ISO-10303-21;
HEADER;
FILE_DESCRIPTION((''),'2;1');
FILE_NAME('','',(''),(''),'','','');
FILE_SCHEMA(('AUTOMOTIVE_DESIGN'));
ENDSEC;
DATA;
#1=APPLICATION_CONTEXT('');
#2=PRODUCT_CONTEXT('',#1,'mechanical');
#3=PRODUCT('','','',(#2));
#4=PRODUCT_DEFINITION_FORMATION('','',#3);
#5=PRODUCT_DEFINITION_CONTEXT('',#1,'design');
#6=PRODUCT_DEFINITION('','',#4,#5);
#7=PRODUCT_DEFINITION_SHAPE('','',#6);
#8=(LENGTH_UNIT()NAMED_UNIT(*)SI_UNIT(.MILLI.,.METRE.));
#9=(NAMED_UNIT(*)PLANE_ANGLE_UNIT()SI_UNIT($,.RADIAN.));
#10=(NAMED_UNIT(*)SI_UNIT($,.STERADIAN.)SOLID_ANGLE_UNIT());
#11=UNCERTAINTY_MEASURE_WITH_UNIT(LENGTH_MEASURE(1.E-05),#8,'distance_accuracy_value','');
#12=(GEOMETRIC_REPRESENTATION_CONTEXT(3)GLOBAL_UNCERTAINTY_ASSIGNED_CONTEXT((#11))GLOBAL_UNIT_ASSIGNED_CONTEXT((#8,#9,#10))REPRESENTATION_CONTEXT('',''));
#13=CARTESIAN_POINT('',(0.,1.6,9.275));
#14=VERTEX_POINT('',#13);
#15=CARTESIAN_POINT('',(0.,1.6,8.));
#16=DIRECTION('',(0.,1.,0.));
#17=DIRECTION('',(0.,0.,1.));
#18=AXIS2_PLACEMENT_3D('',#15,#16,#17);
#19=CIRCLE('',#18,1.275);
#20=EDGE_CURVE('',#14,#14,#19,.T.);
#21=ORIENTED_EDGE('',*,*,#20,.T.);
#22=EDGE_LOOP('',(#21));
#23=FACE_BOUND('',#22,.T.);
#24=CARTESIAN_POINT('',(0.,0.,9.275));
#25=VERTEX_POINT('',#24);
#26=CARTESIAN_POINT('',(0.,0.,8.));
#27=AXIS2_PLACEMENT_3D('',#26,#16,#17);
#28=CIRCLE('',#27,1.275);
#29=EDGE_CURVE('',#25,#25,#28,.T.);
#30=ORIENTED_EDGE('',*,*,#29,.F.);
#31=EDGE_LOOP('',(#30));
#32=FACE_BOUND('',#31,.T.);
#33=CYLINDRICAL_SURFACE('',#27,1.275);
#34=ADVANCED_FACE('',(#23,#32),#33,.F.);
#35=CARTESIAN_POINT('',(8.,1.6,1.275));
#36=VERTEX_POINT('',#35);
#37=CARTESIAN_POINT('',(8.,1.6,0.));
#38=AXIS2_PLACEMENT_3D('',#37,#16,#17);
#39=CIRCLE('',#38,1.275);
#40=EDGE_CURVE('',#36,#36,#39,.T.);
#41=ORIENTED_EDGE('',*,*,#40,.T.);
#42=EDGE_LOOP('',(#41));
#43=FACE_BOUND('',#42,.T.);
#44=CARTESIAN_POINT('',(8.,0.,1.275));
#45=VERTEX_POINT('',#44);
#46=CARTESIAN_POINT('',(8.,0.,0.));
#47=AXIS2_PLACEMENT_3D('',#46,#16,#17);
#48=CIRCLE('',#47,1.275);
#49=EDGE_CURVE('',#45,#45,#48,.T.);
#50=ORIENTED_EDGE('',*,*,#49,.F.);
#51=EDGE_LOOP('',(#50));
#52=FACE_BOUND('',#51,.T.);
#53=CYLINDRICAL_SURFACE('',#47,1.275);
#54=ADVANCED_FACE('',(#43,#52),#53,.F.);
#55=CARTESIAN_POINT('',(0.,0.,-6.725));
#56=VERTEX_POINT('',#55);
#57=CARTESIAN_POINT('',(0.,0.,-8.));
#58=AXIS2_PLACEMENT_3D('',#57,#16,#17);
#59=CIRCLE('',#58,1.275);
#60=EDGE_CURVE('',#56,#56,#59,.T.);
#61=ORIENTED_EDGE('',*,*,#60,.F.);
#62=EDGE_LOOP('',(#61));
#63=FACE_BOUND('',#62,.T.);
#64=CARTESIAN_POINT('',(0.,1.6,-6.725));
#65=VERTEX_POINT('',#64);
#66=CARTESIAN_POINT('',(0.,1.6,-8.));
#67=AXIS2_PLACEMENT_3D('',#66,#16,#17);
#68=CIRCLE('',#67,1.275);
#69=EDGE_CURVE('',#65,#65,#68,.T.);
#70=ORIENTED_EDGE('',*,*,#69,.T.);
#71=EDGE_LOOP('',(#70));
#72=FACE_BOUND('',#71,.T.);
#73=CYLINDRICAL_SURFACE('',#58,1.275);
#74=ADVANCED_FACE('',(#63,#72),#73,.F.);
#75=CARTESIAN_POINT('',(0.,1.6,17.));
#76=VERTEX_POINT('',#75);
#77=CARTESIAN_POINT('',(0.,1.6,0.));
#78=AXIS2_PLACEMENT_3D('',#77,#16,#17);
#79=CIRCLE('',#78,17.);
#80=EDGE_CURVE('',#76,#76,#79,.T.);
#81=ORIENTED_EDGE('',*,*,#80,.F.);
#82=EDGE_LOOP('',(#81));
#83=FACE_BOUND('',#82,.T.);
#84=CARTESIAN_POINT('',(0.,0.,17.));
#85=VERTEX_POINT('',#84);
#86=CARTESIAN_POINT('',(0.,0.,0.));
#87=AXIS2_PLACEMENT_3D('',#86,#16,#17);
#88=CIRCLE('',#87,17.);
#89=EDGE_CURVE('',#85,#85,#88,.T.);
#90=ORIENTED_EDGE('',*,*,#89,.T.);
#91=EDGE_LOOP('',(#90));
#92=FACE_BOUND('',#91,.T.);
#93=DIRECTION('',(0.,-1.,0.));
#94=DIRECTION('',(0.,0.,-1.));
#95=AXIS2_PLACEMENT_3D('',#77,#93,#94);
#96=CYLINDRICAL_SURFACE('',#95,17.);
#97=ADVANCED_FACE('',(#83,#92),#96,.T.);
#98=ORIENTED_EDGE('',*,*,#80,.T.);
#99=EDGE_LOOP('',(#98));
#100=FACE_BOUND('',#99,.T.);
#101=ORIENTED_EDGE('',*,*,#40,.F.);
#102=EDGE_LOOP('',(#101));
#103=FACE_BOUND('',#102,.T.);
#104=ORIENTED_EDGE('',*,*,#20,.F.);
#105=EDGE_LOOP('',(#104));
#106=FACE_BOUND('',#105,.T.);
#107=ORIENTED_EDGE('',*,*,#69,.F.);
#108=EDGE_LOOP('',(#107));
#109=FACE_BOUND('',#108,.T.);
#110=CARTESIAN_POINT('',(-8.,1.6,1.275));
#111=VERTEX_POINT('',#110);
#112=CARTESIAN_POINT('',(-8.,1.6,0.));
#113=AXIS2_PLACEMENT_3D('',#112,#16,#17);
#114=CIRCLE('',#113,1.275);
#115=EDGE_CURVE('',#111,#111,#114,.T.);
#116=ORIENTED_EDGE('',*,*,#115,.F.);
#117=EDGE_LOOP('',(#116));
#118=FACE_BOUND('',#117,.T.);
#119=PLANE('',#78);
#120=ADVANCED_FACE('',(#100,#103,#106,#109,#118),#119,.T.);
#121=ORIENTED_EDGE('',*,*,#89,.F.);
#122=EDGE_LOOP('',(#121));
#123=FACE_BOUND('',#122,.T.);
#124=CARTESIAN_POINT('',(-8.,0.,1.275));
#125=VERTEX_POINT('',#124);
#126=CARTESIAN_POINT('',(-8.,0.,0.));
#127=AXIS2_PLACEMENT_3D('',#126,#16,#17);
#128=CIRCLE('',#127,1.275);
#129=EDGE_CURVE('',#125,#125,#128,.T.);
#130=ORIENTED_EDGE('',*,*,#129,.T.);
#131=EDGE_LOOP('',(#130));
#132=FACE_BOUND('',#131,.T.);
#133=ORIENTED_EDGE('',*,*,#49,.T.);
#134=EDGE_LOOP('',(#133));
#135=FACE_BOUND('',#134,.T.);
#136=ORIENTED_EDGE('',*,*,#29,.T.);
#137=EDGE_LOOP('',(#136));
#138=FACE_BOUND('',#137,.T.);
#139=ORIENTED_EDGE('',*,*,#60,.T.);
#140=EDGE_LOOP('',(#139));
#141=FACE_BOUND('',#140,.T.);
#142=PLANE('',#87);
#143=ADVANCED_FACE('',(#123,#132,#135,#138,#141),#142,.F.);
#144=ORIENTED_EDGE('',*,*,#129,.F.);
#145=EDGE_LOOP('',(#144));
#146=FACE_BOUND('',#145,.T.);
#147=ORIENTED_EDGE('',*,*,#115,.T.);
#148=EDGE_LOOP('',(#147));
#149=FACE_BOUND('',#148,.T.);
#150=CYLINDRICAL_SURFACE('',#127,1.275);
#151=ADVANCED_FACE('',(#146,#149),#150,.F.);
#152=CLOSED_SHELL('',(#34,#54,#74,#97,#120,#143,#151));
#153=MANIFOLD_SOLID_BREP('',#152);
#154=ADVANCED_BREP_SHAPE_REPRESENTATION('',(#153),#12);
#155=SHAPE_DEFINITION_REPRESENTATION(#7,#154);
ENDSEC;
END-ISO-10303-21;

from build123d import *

# Parameters (mm, degrees)
SKETCH_1_R          = 17
EXTRUDE_1_DEPTH     = 1.6
SKETCH_2_R          = 1.275
CUT_EXTRUDE_1_DEPTH = 25.09481272


with BuildPart() as part:
    # 草图1 → 凸台-拉伸1 (new body)
    with BuildSketch(Plane(origin=(0, 0, 0), x_dir=(1, 0, 0), z_dir=(0, 1, 0))):
        with Locations(Location((0, 0, 0), (0, 0, 270))):
            Circle(SKETCH_1_R)
    extrude(amount=EXTRUDE_1_DEPTH)

    # 草图2 → 切除-拉伸1 (cut, through all)
    with BuildSketch(Plane(origin=(0, 1.6, 0), x_dir=(1, 0, 0), z_dir=(0, 1, 0))):
        with Locations(Location((8, 0, 0), (0, 0, 270))):
            Circle(SKETCH_2_R)
        with Locations(Location((0, -8, 0), (0, 0, 270))):
            Circle(SKETCH_2_R)
        with Locations(Location((-8, 0, 0), (0, 0, 270))):
            Circle(SKETCH_2_R)
        with Locations(Location((0, 8, 0), (0, 0, 270))):
            Circle(SKETCH_2_R)
    extrude(amount=-CUT_EXTRUDE_1_DEPTH, mode=Mode.SUBTRACT)


solid = part.part
